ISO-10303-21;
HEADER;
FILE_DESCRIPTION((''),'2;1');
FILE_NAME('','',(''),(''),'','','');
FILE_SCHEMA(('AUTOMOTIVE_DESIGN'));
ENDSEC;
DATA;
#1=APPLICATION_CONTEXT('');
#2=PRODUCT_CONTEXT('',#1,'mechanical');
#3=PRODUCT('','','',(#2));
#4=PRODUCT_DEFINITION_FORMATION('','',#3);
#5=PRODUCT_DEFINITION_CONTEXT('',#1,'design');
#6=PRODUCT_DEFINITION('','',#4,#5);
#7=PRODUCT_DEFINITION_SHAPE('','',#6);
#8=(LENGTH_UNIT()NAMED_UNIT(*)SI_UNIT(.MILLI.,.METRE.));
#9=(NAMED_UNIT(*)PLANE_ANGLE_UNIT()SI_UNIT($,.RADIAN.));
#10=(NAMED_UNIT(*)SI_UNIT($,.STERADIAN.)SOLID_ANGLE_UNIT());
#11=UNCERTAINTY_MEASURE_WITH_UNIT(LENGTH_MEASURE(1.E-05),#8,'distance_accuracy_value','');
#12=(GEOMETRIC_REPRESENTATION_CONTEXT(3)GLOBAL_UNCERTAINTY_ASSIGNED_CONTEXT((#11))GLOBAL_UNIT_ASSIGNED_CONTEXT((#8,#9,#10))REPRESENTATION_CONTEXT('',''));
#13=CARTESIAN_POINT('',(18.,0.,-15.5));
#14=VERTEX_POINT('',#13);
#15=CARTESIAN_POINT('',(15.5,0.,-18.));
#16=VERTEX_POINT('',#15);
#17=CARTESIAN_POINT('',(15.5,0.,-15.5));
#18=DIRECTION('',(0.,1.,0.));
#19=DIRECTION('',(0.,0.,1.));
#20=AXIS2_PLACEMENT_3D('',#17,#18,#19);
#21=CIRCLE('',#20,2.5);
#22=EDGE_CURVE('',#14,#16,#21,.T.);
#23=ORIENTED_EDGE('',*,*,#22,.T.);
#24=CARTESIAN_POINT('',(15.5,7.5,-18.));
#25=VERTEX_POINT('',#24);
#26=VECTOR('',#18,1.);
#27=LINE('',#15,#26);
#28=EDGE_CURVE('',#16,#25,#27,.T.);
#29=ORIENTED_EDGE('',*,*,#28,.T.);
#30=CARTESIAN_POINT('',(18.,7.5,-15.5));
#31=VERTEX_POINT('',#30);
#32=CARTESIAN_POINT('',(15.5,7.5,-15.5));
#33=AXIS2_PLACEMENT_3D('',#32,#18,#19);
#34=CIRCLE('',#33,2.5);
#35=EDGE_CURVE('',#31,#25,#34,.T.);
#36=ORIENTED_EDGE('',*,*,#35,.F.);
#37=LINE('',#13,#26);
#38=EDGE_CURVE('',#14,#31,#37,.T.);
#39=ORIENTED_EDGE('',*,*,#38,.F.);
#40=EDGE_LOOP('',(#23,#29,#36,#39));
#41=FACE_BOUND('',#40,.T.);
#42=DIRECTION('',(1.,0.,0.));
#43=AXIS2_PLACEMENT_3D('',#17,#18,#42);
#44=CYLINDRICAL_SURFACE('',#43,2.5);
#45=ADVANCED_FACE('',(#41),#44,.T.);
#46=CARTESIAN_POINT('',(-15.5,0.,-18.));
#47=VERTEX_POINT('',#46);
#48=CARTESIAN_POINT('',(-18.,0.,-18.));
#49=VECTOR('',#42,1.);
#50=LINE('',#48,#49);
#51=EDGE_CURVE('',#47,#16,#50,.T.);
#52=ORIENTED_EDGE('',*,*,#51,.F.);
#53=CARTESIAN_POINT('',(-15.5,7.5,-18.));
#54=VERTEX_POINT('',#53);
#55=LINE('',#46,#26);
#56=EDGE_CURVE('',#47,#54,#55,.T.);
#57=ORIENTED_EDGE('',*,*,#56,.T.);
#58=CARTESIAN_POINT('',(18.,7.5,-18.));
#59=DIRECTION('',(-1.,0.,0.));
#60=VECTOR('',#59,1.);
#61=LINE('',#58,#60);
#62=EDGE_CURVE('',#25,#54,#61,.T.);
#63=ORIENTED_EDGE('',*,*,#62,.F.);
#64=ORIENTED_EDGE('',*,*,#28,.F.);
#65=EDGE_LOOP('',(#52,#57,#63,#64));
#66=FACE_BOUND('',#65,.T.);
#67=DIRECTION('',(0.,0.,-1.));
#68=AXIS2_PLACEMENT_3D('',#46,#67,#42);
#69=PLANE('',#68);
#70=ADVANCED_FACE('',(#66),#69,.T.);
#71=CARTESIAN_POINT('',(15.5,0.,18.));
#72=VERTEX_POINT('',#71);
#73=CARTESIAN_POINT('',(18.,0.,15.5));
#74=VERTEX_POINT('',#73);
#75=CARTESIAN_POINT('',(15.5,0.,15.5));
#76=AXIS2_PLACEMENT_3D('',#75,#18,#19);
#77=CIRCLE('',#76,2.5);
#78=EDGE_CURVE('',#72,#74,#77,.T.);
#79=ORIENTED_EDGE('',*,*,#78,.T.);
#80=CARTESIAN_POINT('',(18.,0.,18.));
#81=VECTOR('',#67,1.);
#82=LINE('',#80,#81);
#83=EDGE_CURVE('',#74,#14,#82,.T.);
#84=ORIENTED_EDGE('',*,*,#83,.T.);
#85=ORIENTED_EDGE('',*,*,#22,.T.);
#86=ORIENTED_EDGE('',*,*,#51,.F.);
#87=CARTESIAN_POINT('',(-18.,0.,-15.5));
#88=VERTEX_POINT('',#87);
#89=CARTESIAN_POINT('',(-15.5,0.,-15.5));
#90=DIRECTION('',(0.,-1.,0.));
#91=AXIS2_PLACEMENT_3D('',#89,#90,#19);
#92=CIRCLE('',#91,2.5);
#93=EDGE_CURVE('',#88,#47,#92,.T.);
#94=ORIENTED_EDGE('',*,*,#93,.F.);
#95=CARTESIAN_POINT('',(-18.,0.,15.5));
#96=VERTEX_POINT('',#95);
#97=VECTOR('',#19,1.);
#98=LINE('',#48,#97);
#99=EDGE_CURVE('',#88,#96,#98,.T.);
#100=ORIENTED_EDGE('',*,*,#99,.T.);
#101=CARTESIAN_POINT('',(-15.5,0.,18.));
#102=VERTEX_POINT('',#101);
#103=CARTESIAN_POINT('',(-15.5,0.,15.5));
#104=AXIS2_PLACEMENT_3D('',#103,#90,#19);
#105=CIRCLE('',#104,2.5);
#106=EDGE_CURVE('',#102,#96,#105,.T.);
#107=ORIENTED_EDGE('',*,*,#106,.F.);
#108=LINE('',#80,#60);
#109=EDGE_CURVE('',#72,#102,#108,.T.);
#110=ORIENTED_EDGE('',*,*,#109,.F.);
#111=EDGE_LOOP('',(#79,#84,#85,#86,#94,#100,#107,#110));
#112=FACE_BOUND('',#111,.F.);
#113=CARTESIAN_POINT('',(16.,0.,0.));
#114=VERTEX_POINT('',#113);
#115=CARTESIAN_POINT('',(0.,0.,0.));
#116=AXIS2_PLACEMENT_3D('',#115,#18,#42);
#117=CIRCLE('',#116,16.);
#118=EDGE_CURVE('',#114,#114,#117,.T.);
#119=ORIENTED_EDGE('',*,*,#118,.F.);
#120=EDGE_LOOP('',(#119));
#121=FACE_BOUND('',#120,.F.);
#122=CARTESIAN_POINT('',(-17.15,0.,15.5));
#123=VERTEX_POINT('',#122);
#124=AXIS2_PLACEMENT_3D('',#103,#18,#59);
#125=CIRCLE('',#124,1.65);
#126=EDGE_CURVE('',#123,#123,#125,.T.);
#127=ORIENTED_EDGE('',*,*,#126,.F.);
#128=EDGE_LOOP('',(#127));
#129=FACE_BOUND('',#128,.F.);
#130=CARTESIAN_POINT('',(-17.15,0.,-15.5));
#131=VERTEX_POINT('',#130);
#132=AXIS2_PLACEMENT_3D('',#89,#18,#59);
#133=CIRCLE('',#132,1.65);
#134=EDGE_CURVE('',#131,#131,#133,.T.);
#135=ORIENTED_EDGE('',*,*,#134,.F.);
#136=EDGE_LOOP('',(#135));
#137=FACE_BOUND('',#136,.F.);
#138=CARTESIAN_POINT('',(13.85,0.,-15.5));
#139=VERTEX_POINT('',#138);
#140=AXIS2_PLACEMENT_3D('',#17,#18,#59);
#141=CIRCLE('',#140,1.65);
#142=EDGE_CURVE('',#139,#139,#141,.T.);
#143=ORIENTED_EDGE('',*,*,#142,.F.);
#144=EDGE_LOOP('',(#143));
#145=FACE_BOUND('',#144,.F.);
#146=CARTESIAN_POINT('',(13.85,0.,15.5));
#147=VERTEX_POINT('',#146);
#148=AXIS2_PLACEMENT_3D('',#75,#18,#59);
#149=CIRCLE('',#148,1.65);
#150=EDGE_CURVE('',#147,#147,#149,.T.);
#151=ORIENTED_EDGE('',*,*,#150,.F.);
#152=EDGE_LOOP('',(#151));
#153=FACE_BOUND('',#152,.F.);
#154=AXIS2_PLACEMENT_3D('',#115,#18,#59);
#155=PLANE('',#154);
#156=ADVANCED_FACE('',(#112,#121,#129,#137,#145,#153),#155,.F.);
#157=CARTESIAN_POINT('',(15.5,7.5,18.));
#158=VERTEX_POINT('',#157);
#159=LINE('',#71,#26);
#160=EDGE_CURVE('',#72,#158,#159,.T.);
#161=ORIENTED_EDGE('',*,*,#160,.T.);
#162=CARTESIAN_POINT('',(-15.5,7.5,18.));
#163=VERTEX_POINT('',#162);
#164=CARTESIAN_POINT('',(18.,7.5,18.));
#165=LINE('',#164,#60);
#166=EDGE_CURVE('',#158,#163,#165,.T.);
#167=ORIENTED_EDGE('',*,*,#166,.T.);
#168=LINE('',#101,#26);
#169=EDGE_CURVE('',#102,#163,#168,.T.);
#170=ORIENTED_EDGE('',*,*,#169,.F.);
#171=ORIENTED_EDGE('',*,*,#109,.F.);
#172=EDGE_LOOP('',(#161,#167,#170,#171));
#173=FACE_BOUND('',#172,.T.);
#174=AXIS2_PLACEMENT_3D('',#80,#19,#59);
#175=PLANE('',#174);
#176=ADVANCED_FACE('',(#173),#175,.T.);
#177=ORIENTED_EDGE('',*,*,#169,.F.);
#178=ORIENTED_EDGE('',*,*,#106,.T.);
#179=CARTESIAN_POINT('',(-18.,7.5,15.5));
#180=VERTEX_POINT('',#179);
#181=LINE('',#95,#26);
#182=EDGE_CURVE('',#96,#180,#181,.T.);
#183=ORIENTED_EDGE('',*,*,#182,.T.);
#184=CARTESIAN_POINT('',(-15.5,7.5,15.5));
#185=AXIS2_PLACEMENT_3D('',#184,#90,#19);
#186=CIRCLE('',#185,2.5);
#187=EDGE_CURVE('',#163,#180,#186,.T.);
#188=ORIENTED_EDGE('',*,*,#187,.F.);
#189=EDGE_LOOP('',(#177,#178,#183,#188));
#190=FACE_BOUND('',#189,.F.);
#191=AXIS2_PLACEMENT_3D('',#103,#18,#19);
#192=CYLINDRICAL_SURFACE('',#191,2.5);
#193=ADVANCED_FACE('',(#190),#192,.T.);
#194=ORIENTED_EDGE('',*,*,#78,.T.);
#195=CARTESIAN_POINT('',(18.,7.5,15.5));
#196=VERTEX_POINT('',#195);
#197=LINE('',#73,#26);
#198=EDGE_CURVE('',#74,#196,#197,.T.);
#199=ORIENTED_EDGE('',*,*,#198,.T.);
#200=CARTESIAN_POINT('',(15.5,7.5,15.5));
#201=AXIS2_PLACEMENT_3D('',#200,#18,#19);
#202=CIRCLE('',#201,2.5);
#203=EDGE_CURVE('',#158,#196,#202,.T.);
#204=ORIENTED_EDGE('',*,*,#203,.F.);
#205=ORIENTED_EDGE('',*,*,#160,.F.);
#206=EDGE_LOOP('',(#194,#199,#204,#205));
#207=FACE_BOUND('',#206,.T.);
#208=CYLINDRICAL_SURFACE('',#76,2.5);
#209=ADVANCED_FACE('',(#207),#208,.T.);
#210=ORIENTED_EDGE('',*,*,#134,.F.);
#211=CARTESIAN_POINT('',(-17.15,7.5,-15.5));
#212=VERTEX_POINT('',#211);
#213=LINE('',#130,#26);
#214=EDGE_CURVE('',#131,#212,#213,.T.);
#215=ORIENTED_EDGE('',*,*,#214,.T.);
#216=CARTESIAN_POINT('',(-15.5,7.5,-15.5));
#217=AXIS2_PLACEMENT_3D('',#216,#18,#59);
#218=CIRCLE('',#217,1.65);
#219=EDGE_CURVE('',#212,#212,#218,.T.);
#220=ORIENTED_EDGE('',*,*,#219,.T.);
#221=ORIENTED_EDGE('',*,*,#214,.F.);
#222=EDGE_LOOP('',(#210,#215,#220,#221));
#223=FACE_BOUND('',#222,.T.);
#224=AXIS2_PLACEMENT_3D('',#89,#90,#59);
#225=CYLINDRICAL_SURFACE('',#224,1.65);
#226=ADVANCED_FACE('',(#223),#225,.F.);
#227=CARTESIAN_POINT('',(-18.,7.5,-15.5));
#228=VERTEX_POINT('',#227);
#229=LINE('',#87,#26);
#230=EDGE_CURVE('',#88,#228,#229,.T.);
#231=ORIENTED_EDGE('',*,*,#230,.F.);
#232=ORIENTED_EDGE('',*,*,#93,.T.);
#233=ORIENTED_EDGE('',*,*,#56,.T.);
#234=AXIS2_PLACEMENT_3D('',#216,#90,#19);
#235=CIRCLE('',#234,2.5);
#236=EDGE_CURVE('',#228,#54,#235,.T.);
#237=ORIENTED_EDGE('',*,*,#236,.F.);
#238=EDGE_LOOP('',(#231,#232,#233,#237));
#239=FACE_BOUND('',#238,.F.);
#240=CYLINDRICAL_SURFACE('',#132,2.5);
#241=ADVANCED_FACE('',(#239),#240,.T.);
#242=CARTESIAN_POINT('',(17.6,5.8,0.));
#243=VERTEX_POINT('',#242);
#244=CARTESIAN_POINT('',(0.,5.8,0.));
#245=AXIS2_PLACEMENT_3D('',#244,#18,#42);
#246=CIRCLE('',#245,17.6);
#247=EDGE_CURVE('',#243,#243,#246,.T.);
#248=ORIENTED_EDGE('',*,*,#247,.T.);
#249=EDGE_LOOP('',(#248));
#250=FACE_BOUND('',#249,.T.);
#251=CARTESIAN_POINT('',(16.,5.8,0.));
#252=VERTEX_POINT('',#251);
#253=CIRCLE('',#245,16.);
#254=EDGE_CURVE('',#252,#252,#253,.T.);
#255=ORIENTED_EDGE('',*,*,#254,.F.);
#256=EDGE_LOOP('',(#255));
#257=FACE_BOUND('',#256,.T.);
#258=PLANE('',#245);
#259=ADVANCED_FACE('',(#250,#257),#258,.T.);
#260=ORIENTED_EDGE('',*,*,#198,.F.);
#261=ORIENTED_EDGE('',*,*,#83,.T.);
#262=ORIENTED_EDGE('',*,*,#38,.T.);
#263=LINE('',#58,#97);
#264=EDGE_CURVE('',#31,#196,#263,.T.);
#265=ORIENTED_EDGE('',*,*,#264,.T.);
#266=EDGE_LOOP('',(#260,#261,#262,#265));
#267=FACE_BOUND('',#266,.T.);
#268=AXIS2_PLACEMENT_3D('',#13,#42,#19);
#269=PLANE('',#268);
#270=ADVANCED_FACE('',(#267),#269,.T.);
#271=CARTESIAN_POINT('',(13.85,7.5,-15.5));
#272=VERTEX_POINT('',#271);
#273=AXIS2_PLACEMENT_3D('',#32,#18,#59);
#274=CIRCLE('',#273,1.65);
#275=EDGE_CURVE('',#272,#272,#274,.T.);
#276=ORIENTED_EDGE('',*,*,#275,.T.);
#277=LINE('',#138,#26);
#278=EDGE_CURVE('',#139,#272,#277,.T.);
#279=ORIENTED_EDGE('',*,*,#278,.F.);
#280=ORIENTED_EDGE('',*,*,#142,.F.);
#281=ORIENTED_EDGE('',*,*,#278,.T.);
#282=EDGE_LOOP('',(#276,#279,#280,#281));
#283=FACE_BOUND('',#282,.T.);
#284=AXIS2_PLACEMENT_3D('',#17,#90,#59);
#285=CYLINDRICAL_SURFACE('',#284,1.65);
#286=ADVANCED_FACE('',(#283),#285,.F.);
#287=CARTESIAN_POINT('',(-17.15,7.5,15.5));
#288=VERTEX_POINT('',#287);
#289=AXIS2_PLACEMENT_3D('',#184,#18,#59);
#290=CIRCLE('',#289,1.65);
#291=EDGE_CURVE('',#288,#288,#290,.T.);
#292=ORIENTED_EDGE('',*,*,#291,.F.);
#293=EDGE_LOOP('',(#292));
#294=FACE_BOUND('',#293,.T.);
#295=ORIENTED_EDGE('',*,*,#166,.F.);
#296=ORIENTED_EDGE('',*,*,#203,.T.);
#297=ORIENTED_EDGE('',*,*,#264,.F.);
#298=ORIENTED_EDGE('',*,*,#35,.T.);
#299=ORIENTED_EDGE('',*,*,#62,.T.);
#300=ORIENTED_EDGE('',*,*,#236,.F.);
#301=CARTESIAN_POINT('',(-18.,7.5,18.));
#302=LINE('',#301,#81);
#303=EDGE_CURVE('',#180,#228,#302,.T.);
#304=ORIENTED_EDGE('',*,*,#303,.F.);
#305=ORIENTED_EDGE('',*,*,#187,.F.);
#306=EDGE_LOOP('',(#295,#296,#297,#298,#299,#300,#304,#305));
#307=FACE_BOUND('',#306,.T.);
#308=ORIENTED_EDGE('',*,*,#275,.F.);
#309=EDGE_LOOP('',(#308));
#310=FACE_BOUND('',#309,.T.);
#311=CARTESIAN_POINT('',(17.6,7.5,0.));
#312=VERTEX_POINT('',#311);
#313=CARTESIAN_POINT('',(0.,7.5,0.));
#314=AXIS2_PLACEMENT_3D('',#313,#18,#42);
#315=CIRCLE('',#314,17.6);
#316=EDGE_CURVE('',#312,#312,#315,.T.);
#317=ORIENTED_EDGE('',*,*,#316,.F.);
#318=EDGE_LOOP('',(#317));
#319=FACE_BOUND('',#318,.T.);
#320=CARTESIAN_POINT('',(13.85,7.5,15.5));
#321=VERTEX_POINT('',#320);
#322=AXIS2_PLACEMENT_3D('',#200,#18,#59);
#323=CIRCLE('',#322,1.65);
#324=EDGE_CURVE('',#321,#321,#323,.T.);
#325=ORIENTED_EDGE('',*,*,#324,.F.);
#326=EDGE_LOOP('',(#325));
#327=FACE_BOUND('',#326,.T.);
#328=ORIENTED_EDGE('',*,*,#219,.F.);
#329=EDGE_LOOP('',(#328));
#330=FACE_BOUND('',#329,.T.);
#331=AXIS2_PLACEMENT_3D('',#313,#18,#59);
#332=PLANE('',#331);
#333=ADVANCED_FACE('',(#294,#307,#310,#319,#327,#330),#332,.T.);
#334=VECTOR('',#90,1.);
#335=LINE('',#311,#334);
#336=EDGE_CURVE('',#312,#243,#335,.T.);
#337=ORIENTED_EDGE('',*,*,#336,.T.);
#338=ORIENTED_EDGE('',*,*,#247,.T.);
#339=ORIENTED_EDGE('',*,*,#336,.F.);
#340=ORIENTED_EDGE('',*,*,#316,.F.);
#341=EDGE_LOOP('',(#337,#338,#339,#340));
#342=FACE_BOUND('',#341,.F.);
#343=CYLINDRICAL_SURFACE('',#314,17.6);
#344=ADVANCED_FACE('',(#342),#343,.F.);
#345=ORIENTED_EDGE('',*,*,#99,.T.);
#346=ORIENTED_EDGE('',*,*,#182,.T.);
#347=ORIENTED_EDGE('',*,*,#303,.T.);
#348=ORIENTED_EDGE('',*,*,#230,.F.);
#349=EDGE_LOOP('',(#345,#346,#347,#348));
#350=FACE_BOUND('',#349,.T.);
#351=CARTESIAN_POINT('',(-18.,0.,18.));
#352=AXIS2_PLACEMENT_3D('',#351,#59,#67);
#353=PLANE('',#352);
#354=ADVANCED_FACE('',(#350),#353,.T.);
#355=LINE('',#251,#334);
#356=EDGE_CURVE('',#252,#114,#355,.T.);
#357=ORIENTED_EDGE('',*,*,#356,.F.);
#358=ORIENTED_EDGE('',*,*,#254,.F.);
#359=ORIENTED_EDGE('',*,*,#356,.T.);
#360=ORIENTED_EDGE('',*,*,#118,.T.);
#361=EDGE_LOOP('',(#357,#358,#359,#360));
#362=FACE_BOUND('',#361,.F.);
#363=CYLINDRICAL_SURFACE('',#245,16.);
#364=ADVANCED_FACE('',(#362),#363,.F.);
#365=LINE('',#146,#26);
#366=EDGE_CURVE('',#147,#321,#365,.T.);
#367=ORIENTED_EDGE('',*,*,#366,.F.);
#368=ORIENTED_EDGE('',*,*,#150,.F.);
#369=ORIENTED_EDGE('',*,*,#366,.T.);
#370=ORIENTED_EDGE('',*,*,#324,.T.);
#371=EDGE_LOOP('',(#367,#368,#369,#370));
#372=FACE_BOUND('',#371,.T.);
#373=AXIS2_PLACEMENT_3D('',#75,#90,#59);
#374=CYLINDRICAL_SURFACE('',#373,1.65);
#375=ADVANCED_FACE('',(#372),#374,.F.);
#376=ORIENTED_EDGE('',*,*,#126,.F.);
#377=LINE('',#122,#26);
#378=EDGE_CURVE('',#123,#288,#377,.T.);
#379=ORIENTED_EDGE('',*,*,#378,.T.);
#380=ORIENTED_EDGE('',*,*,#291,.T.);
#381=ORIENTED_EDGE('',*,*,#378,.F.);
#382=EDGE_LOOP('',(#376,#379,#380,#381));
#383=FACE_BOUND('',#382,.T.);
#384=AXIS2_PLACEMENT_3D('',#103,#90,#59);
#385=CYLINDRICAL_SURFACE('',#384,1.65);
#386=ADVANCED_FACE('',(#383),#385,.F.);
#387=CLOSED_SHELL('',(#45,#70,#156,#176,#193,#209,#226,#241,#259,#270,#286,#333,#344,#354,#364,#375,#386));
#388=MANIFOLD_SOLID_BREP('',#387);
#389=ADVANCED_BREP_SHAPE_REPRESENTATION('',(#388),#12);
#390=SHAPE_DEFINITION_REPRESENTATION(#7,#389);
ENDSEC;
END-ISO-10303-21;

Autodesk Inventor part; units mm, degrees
ref_plane "YZ Plane" through (0, 0, 0) normal (1, 0, 0) x (0, 1, 0)
ref_plane "XZ Plane" through (0, 0, 0) normal (0, 1, 0) x (-1, 0, 0)
ref_plane "XY Plane" through (0, 0, 0) normal (0, 0, 1) x (1, 0, 0)
sketch "Sketch1" plane through (0, 0, 0) normal (0, 1, 0) x (-1, 0, 0)
  line L0 (-18, 18) -> (18, 18)
  line L1 (18, 18) -> (18, -18)
  line L2 (18, -18) -> (-18, -18)
  line L3 (-18, -18) -> (-18, 18)
  line L4 (-18, 18) -> (18, -18) construction
  line L5 (18, 18) -> (-18, -18) construction
  circle A0 centre (0, 0) radius 16 construction
  circle A1 centre (15.5, 15.5) radius 1.65
  circle A2 centre (15.5, -15.5) radius 1.65
  circle A3 centre (-15.5, -15.5) radius 1.65
  circle A4 centre (-15.5, 15.5) radius 1.65
  circle A5 centre (15.5, 15.5) radius 2.5 construction
  circle A6 centre (15.5, -15.5) radius 2.5
  circle A7 centre (-15.5, -15.5) radius 2.5
  circle A8 centre (-15.5, 15.5) radius 2.5 construction
  point P0 (0, 0)
  dimension "d0" = 36
  dimension "d1" = 36
  dimension "d2" = 32
  dimension "d3" = 3.3
  dimension "d4" = 3.3
  dimension "d5" = 3.3
  dimension "d6" = 5
  dimension "d7" = 5
  dimension "d8" = 5
  dimension "d9" = 5
  dimension "d10" = 3.3
extrude "Extrusion1" add sketch "Sketch1" along normal blind 7.5
fillet "Fillet1" radius 2.5 4 edges at (18, 3.75, 18) (18, 3.75, -18) (-18, 3.75, -18) (-18, 3.75, 18)
sketch "Sketch2" plane through (0, 7.5, 0) normal (0, 1, 0) x (1, 0, 0)
  circle A0 centre (0, 0) radius 17.6
  dimension "d14" = 35.2
extrude "Extrusion2" cut sketch "Sketch2" against normal blind 1.7
sketch "Sketch3" plane through (0, 5.8, 0) normal (0, 1, 0) x (1, 0, 0)
  circle A0 centre (0, 0) radius 16
  dimension "d17" = 32
extrude "Extrusion3" cut sketch "Sketch3" against normal through all
properties part number "Bearing Block P1" material "Aluminum 6061"
